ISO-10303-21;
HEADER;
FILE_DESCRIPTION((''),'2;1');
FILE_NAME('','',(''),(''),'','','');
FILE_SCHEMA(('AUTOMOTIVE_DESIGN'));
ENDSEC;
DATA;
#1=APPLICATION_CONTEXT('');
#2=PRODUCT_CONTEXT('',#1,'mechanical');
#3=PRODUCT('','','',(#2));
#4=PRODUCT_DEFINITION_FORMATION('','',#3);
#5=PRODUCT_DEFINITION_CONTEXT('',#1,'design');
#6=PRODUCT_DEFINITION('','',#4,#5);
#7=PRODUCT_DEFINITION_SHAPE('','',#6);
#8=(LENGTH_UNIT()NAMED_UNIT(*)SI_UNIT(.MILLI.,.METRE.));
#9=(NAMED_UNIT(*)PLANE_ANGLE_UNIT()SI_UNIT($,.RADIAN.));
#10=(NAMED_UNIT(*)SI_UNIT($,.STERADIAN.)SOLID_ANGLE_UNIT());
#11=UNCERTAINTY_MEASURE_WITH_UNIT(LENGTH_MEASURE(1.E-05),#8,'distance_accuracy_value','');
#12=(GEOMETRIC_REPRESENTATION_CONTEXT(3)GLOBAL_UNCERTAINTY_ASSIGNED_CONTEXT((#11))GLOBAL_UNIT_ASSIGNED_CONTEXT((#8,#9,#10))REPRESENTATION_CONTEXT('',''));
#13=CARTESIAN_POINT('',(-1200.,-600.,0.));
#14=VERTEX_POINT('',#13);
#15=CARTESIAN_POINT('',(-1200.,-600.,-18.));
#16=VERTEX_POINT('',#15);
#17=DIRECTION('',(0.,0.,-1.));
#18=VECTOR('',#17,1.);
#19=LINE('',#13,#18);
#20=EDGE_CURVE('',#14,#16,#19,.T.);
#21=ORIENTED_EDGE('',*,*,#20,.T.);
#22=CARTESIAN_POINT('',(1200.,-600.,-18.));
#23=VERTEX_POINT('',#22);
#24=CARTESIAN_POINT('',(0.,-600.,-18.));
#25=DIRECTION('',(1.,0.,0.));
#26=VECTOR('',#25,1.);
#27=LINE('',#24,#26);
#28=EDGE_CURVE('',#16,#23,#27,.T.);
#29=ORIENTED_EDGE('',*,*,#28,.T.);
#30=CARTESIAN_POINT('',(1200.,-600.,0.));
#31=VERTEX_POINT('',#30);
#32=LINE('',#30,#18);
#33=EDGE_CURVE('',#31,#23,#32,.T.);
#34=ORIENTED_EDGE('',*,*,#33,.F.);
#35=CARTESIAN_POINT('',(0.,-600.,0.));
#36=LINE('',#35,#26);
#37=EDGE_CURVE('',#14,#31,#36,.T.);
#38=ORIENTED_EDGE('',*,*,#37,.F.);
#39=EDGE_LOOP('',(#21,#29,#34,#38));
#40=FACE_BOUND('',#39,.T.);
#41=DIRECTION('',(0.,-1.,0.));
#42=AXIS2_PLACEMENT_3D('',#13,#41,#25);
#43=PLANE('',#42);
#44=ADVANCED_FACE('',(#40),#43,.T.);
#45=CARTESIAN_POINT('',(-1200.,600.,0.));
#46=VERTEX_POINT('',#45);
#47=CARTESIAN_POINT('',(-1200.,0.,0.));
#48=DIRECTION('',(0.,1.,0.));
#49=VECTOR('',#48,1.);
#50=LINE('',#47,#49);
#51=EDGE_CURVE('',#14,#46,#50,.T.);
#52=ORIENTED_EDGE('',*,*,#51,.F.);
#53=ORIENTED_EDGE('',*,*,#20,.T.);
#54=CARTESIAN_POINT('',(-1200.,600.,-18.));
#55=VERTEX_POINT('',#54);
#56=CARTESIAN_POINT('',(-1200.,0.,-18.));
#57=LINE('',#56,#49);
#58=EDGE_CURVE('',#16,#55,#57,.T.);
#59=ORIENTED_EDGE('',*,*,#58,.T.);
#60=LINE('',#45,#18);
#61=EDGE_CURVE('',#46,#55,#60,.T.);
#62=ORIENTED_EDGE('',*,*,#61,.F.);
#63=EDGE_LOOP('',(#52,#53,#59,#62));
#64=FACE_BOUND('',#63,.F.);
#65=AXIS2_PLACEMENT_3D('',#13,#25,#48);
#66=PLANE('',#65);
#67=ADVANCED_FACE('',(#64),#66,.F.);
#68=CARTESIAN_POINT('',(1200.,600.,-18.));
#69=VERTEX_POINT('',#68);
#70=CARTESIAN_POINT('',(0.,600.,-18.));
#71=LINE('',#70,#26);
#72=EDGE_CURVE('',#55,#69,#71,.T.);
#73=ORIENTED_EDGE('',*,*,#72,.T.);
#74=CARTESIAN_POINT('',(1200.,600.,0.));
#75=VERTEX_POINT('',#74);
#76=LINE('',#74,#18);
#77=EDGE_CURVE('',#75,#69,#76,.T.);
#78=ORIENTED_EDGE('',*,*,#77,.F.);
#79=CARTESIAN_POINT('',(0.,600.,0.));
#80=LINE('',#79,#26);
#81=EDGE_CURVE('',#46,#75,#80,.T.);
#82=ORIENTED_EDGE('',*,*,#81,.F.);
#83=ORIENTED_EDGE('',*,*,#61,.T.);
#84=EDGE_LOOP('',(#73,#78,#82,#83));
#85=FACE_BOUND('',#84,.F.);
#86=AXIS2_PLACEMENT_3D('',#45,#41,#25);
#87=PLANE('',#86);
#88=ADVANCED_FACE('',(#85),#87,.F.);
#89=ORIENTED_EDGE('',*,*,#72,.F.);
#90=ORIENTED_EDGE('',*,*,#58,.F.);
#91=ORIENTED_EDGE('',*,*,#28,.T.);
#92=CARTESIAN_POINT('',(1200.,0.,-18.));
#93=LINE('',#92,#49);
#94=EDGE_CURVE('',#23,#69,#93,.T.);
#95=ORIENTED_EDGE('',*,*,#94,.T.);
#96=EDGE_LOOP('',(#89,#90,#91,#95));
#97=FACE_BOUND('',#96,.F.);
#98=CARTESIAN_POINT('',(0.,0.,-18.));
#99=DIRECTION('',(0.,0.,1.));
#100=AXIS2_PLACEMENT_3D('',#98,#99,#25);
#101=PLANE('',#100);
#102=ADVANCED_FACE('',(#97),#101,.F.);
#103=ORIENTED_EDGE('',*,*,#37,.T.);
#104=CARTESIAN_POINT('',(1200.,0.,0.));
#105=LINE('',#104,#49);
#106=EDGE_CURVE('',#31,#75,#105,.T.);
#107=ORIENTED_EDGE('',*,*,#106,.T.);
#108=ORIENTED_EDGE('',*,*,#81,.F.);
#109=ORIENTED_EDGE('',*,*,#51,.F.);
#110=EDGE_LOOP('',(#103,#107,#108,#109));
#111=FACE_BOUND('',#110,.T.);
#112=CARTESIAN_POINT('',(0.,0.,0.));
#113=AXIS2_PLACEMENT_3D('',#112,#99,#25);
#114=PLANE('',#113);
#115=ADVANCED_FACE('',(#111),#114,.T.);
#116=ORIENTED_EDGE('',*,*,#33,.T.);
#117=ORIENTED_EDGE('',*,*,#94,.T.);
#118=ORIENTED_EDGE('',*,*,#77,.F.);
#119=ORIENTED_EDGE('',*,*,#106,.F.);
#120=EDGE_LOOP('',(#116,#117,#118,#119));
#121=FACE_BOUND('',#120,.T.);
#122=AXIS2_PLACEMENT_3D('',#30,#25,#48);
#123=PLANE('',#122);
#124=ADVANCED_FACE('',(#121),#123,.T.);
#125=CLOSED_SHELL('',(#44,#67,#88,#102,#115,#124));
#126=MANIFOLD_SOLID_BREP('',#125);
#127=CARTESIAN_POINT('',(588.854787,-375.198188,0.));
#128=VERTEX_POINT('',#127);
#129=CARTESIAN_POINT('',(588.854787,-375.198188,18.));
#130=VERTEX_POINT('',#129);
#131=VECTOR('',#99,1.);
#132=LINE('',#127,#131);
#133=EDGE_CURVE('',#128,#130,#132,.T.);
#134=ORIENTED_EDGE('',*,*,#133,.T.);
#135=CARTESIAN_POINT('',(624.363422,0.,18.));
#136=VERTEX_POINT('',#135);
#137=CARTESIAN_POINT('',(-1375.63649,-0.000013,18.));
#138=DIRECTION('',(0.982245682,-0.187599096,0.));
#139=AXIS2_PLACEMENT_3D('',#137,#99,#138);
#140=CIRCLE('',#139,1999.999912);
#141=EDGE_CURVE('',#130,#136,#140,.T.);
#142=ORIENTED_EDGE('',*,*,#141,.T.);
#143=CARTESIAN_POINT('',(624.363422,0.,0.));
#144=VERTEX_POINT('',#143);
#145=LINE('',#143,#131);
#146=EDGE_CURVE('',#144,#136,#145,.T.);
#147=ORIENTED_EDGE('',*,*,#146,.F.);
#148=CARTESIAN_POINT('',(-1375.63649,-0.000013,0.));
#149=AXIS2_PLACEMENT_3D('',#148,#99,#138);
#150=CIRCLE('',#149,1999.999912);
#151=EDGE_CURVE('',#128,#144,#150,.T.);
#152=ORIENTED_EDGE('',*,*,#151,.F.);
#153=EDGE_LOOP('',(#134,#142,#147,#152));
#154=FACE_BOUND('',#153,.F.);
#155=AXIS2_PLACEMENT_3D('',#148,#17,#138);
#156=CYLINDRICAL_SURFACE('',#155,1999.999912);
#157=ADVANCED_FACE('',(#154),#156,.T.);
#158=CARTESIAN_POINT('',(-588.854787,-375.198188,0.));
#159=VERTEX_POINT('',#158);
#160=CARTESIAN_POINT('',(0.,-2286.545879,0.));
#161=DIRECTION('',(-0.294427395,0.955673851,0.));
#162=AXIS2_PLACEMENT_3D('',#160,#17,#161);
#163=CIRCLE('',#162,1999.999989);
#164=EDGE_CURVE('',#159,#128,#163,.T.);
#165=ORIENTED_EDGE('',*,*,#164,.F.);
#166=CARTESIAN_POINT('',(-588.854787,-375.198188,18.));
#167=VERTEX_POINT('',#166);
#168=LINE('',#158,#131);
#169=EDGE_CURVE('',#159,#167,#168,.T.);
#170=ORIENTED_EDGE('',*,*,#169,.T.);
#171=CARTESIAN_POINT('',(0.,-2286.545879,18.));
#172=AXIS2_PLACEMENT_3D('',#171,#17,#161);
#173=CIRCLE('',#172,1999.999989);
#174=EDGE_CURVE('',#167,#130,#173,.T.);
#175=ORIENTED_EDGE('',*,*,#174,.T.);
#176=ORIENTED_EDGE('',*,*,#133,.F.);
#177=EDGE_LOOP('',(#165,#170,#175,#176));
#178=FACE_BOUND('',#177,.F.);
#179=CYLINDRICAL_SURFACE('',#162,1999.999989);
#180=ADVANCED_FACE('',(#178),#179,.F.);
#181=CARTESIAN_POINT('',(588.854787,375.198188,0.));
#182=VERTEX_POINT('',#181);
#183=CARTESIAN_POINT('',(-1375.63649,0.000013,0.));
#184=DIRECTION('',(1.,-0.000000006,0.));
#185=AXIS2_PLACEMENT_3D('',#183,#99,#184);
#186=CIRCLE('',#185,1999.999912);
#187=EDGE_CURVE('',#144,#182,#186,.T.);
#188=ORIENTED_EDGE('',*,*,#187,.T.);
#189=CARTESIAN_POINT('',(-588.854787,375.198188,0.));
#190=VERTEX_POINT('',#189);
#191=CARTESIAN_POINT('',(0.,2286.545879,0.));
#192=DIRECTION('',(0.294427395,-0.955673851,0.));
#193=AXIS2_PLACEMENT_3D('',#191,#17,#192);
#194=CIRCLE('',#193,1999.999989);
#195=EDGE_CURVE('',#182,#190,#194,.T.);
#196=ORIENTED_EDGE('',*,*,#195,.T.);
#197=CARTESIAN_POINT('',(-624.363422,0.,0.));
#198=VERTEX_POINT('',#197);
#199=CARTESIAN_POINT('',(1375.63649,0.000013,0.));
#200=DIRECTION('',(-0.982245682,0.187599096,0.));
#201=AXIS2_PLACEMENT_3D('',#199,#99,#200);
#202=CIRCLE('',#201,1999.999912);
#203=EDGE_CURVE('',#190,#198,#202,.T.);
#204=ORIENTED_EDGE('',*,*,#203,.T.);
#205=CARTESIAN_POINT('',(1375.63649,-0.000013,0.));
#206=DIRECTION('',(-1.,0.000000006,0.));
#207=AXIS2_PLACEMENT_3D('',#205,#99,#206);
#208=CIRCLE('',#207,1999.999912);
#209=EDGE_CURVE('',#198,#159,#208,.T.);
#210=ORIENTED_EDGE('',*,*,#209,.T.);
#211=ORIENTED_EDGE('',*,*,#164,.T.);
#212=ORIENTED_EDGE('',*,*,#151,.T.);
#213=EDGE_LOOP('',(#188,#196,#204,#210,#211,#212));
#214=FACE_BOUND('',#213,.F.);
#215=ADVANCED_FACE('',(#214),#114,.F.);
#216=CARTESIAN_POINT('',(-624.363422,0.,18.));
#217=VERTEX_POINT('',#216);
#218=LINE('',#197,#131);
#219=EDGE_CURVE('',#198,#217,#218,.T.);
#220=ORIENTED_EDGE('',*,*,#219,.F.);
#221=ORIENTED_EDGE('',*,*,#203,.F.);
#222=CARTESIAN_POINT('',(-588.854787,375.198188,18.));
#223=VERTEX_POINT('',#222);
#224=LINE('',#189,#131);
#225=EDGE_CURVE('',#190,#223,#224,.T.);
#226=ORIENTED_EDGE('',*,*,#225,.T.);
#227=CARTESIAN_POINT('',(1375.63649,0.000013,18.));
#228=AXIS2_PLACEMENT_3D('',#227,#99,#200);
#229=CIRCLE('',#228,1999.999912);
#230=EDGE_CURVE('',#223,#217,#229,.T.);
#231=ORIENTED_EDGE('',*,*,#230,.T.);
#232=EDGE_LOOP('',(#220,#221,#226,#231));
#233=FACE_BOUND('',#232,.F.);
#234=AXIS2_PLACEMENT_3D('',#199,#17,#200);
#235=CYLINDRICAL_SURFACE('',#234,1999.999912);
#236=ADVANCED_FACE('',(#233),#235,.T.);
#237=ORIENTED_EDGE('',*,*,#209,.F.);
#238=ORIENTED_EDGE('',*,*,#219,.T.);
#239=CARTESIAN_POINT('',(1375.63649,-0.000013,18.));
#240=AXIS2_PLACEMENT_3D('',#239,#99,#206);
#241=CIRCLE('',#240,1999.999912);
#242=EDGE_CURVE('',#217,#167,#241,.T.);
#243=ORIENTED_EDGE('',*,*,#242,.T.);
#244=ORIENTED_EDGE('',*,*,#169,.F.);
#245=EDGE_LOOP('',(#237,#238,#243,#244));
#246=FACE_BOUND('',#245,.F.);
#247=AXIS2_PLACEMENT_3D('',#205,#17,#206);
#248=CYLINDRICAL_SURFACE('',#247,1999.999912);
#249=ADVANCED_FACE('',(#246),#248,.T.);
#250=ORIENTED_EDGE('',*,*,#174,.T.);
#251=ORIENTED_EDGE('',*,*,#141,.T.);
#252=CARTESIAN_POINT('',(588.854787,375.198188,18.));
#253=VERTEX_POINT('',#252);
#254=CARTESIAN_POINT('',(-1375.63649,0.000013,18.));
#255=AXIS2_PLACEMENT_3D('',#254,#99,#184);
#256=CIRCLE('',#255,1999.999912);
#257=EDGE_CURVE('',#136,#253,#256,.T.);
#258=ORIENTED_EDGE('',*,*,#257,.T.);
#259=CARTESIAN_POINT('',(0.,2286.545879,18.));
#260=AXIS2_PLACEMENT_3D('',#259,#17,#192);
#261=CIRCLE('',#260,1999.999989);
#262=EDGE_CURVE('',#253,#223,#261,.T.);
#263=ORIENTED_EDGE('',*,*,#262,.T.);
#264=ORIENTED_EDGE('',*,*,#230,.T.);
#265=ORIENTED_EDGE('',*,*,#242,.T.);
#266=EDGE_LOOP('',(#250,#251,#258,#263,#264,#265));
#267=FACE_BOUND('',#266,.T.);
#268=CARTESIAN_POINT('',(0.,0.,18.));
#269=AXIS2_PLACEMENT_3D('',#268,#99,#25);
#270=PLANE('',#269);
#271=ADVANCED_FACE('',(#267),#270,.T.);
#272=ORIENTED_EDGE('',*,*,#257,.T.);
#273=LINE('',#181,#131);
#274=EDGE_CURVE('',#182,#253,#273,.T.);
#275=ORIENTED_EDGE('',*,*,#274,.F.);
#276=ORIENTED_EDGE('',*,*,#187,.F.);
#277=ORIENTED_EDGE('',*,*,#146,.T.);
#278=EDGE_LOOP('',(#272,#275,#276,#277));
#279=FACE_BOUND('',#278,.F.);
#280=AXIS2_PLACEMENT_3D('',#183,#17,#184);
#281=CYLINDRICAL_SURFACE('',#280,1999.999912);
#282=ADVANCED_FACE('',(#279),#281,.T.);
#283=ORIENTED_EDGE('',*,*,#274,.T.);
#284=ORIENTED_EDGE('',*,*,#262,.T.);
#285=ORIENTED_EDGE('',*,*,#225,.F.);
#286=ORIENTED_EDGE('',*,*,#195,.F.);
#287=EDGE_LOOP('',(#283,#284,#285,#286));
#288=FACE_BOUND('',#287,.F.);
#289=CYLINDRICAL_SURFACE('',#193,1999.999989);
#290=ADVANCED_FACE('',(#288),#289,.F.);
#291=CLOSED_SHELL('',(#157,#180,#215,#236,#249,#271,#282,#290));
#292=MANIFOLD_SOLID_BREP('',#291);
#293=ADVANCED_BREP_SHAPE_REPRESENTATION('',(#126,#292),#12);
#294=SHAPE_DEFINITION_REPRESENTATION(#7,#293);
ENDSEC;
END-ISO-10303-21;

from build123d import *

# Parameters (mm, degrees)
F1_DEPTH = 18
F2_W     = 2400
F2_H     = 1200
F3_DEPTH = 18


with BuildPart() as f1:
    # F0 (on Top) → F1 (new body)
    with BuildSketch(Plane.XY):
        with BuildLine():
            ThreePointArc((588.854787, 375.198188), (0, 286.54589), (-588.854787, 375.198188))
            ThreePointArc((-588.854787, 375.198188), (-615.466475, 188.437352), (-624.363422, 0))
            ThreePointArc((-624.363422, 0), (-615.466475, -188.437352), (-588.854787, -375.198188))
            ThreePointArc((-588.854787, -375.198188), (0, -286.54589), (588.854787, -375.198188))
            ThreePointArc((588.854787, -375.198188), (615.466475, -188.437352), (624.363422, 0))
            ThreePointArc((624.363422, 0), (615.466475, 188.437352), (588.854787, 375.198188))
        make_face()
    extrude(amount=F1_DEPTH)


with BuildPart() as f3:
    # F2 (on Top) → F3 (new body)
    with BuildSketch(Plane.XY):
        Rectangle(F2_W, F2_H)
    extrude(amount=-F3_DEPTH)


solid = Compound([f1.part, f3.part])
